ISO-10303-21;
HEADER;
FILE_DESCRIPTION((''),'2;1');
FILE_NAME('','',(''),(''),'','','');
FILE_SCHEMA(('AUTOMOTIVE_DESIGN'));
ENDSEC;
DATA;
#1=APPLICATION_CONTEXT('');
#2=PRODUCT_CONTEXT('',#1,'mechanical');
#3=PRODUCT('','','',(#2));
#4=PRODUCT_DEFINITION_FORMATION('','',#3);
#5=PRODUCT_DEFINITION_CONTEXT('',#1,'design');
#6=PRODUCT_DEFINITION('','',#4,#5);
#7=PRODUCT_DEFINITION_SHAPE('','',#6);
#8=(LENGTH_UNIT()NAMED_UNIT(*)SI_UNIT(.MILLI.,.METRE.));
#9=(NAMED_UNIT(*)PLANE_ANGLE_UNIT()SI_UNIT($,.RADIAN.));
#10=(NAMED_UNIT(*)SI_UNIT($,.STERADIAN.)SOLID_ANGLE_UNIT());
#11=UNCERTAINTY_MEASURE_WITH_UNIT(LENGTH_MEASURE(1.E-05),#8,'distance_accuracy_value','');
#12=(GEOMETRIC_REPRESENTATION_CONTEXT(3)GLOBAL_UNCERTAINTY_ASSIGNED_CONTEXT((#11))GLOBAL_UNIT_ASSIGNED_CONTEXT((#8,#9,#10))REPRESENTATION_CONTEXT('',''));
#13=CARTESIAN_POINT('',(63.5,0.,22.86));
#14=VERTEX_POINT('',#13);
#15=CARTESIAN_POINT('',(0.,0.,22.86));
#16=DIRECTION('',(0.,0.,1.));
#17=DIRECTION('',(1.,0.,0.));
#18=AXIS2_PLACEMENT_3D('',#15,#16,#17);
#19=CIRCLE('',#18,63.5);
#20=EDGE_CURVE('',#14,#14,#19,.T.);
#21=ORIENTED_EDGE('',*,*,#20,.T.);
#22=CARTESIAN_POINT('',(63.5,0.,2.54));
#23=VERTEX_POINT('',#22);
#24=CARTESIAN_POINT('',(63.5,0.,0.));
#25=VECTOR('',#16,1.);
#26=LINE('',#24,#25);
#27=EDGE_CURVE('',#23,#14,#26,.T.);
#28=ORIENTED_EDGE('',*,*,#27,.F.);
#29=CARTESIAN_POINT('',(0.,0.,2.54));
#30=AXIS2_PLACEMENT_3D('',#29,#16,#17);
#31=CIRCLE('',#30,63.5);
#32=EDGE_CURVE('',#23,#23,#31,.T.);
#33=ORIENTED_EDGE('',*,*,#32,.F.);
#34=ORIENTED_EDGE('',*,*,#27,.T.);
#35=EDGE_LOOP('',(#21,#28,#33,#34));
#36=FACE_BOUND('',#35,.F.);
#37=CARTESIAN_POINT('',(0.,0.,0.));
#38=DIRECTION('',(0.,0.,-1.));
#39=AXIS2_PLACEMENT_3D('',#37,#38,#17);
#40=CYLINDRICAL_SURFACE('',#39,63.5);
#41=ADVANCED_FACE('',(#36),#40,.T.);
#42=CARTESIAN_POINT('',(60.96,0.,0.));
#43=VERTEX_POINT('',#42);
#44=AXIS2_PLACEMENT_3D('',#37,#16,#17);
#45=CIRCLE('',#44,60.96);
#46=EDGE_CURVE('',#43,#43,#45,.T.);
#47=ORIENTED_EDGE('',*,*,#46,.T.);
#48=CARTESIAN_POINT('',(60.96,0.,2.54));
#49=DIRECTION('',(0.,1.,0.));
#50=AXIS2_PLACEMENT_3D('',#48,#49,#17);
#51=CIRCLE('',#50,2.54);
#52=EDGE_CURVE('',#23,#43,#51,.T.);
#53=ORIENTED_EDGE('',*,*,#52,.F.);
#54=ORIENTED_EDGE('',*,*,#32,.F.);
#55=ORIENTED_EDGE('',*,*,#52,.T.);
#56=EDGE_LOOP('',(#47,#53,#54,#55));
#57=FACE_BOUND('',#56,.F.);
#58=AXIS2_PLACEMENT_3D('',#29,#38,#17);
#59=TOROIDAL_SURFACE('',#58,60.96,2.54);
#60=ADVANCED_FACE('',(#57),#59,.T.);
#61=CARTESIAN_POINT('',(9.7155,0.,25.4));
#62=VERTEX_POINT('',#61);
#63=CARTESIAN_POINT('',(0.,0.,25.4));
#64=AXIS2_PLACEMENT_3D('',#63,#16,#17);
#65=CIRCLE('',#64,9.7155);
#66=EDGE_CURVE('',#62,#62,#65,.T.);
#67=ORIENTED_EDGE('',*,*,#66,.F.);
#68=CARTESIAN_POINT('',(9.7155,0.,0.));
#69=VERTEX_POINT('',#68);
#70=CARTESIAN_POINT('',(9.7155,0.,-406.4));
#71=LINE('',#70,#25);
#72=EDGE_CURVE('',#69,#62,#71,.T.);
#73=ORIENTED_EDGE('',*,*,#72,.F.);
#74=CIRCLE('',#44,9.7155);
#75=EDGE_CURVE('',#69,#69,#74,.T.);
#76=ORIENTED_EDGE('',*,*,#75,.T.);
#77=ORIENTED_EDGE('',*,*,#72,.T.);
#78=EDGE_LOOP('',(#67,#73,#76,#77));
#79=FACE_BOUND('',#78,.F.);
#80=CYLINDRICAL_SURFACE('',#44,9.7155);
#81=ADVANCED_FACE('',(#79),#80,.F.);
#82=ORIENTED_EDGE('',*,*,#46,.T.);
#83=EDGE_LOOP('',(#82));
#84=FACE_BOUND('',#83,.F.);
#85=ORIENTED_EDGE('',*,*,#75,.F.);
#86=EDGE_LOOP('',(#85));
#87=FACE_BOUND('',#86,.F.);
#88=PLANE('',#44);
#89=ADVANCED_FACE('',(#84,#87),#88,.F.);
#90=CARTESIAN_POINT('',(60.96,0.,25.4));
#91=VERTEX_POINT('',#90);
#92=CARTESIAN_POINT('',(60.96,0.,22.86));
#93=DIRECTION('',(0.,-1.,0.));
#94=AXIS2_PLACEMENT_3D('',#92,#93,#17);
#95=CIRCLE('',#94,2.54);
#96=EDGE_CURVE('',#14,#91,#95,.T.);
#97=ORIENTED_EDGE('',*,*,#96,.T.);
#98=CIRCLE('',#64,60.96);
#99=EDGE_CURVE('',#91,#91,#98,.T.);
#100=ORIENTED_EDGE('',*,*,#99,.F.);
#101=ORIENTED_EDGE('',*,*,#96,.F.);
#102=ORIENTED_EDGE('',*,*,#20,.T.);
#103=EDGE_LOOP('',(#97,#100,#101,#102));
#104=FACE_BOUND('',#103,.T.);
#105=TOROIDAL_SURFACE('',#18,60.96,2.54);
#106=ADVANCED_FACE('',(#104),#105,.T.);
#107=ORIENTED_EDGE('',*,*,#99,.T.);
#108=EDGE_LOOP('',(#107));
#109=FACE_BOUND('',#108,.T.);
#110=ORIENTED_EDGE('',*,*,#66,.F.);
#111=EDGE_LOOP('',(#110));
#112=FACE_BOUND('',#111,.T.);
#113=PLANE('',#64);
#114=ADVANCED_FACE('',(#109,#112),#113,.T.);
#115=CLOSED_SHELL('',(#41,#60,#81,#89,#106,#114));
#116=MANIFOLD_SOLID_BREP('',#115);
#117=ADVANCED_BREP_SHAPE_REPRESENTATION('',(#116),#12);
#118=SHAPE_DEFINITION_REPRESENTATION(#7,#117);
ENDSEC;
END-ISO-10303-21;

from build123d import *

# Parameters (mm, degrees)
F0_R     = 63.5
F0_R_2   = 4.1275
F1_DEPTH = 25.4
F2_R     = 2.54
F3_R     = 9.7155
F4_DEPTH = 406.4


with BuildPart() as f1:
    # F0 (on Top) → F1 (new body)
    with BuildSketch(Plane.XY):
        Circle(F0_R)
        Circle(F0_R_2, mode=Mode.SUBTRACT)
    extrude(amount=F1_DEPTH)

    # F2
    f2_edges = [f1.edges().sort_by_distance(p)[0] for p in [
        (-63.5, 0, 25.4),
        (-63.5, 0, 0),
    ]]
    fillet(f2_edges, radius=F2_R)

    # F3 (on Top) → F4 (cut, symmetric)
    with BuildSketch(Plane.XY):
        Circle(F3_R)
    extrude(amount=F4_DEPTH, both=True, mode=Mode.SUBTRACT)


solid = f1.part
